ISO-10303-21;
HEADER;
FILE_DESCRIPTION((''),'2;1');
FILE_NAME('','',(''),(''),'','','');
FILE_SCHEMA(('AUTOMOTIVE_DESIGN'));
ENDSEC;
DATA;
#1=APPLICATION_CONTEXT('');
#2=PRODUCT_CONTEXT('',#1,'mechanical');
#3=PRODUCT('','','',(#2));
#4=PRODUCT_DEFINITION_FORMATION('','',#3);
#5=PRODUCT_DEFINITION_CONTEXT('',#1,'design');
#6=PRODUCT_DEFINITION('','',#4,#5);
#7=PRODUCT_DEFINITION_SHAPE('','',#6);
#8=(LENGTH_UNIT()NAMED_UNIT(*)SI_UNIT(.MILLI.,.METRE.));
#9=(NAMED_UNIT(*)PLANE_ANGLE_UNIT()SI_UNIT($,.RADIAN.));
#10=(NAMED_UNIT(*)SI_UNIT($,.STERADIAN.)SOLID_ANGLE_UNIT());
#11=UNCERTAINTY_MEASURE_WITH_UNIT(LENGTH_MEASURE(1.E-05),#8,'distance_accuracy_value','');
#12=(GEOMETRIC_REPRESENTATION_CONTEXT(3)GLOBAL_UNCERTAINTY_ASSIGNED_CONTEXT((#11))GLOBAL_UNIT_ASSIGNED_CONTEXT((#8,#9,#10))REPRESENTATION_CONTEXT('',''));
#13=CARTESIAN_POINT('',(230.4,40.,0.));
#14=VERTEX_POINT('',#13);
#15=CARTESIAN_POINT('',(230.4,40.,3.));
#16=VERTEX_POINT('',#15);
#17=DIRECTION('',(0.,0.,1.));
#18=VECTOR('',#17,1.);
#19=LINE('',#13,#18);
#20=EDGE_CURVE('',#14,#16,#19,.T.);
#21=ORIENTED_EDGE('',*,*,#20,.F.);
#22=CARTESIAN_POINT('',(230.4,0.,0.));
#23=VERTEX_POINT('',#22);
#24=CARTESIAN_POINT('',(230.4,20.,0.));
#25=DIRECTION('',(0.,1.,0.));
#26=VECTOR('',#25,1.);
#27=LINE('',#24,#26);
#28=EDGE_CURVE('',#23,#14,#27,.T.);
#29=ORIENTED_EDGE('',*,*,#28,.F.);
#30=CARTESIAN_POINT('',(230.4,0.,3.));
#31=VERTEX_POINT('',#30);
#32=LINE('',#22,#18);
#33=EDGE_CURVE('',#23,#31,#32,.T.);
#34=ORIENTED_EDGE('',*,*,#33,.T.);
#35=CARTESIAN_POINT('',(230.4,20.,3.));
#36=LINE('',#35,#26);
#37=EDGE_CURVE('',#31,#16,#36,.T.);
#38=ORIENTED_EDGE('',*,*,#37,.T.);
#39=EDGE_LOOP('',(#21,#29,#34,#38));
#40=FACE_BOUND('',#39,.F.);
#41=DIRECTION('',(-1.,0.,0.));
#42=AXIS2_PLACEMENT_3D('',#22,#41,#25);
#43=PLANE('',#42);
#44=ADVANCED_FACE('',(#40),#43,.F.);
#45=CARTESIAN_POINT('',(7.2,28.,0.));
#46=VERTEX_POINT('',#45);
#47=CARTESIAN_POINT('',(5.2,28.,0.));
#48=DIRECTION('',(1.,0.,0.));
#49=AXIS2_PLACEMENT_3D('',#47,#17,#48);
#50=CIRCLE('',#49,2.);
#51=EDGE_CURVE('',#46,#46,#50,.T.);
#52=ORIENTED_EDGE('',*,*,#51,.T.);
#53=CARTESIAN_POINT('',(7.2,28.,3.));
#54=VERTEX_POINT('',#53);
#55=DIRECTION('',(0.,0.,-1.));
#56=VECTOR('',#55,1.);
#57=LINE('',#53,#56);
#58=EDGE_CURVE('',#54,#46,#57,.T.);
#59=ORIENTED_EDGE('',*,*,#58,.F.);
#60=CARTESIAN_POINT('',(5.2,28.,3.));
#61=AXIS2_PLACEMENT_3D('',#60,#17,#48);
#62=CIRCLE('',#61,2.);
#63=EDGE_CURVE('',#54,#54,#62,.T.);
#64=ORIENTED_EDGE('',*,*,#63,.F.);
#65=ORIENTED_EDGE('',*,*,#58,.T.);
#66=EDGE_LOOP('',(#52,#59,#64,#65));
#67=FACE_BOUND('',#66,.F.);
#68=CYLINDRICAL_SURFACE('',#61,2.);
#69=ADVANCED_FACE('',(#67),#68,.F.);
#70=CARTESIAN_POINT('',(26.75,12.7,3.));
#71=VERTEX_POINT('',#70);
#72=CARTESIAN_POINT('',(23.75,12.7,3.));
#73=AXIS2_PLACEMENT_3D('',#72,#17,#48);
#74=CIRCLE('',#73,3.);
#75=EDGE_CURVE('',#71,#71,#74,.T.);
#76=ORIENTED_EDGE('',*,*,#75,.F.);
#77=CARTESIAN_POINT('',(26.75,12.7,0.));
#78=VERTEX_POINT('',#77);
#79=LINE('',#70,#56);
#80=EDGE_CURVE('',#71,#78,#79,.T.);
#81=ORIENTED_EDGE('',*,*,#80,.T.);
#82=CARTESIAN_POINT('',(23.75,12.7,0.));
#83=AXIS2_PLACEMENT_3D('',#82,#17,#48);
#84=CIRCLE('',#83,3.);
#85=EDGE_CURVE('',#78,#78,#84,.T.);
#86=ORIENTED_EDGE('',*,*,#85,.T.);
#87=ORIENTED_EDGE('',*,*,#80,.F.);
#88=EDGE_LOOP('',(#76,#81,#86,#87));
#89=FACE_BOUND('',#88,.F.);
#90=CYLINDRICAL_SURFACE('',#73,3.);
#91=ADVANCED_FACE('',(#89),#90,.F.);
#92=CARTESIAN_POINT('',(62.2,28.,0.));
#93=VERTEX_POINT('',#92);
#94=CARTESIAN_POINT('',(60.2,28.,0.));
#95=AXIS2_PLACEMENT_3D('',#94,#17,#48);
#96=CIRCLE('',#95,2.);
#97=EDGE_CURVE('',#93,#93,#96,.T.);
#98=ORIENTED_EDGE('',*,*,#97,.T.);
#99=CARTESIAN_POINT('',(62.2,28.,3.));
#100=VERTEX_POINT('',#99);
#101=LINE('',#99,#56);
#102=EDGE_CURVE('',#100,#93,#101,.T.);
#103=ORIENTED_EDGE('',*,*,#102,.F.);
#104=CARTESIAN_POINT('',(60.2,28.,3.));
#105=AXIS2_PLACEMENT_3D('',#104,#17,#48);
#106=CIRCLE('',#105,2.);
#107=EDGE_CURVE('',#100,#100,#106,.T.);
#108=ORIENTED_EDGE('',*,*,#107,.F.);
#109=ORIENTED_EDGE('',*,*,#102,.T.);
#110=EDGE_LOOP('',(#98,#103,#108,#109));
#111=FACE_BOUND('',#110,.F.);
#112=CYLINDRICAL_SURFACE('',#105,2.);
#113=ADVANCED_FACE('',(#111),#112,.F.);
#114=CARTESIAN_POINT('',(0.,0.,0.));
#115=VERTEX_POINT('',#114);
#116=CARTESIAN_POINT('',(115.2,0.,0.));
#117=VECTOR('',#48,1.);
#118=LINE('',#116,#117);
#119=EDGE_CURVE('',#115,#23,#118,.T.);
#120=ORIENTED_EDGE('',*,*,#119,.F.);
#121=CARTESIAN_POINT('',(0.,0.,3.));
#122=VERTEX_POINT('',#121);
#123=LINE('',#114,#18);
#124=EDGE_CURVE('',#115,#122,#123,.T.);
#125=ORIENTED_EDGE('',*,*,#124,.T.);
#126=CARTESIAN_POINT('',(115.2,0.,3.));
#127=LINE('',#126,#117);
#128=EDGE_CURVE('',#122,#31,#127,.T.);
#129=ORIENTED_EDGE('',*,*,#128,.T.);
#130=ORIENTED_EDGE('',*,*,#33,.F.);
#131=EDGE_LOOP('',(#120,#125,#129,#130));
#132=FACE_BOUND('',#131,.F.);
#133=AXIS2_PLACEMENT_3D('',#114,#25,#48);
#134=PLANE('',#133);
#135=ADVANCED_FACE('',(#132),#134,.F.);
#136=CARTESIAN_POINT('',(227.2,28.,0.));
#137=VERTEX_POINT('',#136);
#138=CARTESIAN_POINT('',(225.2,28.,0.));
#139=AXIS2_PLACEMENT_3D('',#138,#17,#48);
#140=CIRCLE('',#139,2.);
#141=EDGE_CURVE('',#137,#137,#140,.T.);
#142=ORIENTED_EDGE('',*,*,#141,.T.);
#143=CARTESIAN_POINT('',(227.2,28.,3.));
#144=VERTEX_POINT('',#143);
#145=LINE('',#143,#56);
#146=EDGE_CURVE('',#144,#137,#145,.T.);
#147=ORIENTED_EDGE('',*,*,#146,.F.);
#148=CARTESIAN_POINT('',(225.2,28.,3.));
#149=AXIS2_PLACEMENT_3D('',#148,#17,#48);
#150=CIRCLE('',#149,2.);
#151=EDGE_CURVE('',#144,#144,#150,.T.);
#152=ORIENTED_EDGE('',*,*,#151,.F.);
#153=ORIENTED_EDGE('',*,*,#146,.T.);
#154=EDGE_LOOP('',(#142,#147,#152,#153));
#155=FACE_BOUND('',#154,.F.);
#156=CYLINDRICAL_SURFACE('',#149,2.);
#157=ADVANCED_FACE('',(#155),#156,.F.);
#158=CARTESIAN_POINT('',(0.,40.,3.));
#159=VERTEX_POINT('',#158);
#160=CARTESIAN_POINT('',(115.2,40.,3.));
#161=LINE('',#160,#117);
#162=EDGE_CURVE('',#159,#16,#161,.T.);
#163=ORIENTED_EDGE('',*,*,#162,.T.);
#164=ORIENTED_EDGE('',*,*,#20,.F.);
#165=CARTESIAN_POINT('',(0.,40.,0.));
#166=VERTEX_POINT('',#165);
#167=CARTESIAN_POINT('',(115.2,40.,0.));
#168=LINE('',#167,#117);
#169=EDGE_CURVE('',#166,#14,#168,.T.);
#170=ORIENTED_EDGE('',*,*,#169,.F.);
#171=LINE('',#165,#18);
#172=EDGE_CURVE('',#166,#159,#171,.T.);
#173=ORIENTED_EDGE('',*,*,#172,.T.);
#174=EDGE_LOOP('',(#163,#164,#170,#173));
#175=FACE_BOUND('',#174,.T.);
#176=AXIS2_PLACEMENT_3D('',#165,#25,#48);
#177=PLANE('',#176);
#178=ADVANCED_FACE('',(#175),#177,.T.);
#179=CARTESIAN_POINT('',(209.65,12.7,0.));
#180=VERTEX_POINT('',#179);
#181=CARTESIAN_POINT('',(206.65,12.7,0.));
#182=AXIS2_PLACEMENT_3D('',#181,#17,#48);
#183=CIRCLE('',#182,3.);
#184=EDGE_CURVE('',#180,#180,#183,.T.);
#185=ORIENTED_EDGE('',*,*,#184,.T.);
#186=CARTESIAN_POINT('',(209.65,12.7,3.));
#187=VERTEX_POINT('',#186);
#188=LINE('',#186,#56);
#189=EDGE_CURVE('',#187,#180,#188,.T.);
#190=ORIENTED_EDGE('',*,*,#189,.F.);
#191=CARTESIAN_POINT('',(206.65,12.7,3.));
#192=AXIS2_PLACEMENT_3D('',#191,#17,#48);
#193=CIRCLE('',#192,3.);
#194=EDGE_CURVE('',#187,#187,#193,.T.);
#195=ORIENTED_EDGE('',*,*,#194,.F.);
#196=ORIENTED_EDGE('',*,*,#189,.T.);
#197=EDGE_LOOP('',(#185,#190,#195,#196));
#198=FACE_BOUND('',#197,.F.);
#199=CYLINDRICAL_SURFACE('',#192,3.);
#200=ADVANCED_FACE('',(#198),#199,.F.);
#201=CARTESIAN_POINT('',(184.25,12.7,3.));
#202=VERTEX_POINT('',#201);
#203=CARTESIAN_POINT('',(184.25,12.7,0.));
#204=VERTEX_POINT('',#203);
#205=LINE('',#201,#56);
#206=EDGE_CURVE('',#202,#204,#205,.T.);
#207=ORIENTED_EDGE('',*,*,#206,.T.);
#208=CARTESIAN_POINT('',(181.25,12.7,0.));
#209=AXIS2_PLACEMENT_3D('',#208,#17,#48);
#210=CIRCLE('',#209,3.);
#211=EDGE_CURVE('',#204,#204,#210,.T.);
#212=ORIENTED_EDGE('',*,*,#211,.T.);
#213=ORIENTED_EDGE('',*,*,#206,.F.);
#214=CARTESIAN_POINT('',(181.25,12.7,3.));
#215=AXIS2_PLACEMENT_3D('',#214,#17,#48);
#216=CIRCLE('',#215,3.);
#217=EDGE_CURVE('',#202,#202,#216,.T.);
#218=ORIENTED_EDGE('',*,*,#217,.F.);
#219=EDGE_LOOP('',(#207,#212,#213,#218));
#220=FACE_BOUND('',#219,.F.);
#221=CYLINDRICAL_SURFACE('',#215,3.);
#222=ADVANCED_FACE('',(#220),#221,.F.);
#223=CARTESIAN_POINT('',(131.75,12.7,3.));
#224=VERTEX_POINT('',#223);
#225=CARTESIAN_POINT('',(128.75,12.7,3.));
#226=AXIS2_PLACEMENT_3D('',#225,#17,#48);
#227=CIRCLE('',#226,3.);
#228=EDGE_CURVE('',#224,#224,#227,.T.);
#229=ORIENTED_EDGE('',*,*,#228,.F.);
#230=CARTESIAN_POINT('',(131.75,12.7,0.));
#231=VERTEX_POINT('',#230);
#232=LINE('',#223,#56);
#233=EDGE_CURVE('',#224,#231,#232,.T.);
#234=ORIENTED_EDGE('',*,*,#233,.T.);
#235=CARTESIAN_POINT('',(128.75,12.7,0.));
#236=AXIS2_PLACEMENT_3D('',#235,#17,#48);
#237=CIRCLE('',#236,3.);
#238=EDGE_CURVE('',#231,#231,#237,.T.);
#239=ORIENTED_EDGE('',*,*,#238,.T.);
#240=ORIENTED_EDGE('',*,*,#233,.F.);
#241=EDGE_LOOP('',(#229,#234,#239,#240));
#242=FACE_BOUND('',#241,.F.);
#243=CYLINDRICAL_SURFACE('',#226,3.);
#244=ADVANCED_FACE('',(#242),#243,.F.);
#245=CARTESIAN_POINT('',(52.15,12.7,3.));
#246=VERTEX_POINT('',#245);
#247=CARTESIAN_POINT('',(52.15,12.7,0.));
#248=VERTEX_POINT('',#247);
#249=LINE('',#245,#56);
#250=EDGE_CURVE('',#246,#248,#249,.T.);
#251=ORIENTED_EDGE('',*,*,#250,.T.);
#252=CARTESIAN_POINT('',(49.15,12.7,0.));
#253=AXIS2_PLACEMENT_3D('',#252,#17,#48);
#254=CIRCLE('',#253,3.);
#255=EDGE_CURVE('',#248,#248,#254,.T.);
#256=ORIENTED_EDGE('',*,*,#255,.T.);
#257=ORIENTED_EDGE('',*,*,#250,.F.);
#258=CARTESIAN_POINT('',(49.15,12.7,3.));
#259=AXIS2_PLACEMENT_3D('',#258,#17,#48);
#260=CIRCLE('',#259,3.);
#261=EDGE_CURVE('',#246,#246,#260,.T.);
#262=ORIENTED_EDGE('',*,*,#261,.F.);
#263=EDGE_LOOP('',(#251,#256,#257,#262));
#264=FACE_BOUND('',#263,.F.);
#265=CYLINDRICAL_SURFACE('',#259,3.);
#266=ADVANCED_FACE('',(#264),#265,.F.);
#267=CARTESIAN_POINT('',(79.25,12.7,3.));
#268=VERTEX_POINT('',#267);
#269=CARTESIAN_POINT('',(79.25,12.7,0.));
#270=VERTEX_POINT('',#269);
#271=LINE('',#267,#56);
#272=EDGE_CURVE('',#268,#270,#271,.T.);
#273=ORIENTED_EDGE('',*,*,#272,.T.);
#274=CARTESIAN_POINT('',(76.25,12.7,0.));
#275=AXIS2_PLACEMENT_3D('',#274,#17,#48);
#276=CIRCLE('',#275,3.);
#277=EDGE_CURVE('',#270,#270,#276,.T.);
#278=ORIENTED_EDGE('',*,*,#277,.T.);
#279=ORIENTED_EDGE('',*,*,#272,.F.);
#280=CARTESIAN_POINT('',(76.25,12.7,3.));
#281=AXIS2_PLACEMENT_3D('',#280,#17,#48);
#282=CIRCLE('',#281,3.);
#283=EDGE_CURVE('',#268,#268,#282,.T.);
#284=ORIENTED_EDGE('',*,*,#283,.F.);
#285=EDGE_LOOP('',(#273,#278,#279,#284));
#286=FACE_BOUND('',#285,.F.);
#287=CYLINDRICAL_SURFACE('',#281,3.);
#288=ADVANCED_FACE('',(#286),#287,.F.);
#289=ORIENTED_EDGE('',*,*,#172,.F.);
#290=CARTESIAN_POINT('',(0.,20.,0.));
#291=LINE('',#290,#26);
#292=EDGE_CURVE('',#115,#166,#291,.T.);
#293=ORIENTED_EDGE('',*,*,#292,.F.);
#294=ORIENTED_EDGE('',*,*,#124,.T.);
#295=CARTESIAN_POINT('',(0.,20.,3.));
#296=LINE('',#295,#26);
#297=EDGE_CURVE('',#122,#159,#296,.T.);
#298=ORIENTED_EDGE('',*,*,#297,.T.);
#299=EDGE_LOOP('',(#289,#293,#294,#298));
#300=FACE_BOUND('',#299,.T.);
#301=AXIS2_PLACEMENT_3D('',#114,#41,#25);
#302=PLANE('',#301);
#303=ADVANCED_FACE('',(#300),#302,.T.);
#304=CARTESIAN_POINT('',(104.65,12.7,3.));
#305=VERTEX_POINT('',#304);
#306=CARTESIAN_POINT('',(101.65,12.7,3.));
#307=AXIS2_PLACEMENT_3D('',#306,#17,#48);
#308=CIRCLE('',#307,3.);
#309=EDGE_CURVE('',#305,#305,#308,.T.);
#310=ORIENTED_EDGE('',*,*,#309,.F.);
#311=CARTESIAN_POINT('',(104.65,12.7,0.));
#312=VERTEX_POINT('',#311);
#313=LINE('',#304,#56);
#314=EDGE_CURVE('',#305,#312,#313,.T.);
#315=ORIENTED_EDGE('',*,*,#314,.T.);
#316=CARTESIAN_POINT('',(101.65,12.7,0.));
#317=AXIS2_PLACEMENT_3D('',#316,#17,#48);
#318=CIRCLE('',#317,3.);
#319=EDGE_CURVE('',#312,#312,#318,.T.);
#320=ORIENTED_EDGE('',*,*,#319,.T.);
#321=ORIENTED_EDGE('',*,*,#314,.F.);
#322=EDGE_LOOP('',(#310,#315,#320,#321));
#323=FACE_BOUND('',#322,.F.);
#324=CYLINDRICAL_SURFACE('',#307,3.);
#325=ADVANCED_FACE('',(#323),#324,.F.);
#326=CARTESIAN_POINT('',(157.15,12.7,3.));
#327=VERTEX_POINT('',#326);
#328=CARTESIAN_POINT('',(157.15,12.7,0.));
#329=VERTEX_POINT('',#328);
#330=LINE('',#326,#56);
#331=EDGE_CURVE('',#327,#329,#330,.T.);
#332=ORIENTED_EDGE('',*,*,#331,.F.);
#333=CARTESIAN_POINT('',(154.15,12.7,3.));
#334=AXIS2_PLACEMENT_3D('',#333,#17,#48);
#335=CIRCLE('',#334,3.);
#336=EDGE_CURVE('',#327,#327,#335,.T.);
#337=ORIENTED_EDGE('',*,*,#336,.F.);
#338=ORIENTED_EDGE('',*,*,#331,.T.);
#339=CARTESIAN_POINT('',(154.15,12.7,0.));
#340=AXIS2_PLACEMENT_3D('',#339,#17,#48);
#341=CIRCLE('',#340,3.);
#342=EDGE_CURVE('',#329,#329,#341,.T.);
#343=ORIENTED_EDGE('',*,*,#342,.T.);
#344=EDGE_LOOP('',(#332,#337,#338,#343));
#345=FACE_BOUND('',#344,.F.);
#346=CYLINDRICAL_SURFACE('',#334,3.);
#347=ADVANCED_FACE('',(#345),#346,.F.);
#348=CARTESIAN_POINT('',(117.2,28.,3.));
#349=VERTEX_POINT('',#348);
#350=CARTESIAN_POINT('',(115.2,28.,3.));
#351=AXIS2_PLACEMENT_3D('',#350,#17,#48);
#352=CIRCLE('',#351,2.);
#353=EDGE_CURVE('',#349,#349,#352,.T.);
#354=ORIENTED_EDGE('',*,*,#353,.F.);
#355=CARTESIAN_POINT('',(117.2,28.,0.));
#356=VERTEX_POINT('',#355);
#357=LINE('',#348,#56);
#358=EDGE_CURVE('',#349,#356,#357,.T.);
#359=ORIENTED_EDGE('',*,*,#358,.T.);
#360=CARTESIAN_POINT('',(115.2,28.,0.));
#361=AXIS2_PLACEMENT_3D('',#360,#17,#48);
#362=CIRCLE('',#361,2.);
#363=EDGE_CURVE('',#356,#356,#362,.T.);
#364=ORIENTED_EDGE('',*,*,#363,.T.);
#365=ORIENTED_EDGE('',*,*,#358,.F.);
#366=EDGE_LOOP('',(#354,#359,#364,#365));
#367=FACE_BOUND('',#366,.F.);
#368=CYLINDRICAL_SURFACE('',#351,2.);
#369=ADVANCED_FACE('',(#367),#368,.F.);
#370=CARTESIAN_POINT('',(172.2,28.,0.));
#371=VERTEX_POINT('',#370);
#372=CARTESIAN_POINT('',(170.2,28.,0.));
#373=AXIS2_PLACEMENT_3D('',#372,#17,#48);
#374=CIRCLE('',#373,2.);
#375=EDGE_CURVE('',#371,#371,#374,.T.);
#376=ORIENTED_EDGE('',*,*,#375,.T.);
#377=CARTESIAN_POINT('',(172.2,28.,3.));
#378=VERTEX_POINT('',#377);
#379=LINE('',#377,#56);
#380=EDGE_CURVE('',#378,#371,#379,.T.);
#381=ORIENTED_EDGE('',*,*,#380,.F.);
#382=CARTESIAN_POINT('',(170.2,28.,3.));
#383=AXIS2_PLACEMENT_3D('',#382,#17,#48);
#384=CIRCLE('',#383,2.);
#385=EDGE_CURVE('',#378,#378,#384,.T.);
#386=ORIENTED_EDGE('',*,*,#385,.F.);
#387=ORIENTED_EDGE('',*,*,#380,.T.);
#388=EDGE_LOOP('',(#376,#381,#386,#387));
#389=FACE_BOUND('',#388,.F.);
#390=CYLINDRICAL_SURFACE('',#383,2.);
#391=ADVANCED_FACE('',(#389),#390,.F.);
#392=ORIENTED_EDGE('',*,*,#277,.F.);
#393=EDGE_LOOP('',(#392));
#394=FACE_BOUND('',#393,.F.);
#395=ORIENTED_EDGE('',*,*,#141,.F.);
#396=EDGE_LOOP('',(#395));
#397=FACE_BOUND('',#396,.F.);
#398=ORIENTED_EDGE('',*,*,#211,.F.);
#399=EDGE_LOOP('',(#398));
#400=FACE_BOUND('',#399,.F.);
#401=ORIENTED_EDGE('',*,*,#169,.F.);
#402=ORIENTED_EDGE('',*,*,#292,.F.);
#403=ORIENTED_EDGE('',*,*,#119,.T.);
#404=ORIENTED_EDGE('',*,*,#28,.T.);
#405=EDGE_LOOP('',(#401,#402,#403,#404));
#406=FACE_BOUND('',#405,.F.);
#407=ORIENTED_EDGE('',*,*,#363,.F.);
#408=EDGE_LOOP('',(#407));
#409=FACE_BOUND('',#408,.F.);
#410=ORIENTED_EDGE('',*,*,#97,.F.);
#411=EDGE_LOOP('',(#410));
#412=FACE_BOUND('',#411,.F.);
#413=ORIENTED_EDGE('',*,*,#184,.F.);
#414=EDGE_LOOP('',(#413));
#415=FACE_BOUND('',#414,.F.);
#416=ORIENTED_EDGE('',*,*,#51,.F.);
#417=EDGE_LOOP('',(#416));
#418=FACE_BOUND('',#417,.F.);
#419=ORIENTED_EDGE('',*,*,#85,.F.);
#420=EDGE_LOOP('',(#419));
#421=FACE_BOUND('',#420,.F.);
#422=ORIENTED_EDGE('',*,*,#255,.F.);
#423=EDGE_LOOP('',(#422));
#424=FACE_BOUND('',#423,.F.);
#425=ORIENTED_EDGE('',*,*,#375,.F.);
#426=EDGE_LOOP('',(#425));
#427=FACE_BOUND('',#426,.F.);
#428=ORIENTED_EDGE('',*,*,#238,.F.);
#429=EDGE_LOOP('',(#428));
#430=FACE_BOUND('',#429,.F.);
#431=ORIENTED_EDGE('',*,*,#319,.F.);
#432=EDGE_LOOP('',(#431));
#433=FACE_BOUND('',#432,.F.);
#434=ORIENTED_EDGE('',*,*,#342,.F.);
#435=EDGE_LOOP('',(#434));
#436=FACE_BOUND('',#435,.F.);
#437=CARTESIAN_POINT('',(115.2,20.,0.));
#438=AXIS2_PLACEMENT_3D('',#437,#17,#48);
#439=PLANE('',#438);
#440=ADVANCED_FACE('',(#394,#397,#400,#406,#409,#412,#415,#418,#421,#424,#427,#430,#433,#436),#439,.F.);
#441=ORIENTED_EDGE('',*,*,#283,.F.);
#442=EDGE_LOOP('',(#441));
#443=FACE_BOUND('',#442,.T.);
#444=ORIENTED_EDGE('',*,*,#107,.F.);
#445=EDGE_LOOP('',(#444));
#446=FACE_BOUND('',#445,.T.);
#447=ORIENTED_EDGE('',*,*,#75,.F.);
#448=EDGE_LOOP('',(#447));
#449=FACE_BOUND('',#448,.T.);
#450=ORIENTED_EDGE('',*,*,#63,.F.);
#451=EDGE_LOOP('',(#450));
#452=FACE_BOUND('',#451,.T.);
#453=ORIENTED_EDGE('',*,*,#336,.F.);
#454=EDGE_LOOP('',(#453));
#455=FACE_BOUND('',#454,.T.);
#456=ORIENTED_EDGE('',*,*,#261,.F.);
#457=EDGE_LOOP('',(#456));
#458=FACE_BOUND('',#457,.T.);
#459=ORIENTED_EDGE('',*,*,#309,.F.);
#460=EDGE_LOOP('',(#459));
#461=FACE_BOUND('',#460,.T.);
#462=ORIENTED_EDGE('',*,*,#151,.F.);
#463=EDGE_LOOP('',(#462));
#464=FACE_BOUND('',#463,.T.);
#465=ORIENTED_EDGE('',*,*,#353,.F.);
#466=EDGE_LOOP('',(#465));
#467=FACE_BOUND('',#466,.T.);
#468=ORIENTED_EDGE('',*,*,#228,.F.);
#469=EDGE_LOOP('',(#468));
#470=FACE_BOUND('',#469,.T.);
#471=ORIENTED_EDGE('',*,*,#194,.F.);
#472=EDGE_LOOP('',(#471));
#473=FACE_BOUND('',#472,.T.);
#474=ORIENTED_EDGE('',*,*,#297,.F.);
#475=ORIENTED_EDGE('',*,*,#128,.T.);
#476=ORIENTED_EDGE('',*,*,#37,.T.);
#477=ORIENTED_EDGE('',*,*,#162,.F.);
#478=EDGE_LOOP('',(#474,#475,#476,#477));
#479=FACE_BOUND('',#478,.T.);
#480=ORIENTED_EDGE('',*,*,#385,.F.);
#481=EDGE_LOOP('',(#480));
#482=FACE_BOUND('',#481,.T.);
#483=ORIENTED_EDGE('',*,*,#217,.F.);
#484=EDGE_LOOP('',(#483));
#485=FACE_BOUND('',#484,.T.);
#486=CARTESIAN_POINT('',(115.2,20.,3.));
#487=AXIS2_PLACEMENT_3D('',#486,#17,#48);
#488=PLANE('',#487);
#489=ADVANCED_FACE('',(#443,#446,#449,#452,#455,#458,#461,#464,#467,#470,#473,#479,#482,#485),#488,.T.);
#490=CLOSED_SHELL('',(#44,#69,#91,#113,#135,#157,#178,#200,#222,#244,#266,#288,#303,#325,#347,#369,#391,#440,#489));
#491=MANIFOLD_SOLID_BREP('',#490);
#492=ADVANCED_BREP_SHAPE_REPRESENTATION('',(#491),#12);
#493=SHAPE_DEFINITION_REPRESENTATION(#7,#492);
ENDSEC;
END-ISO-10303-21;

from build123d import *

# Parameters (mm, degrees)
F0_W     = 230.4
F0_H     = 40
F1_DEPTH = 3
F2_R     = 2
F3_DEPTH = 3.001
F4_R     = 3
F5_DEPTH = 3.001


with BuildPart() as f1:
    # F0 (on Top) → F1 (new body)
    with BuildSketch(Plane.XY):
        with Locations((115.2, 20)):
            Rectangle(F0_W, F0_H)
    extrude(amount=F1_DEPTH)

    # F2 (on face) → F3 (cut, through all)
    with BuildSketch(Plane.XY.offset(3)):
        with Locations((5.2, 28)):
            Circle(F2_R)
        with Locations((60.2, 28)):
            Circle(F2_R)
        with Locations((115.2, 28)):
            Circle(F2_R)
        with Locations((170.2, 28)):
            Circle(F2_R)
        with Locations((225.2, 28)):
            Circle(F2_R)
    extrude(amount=-F3_DEPTH, mode=Mode.SUBTRACT)

    # F4 (on face) → F5 (cut, through all)
    with BuildSketch(Plane.XY.offset(3)):
        with Locations((23.75, 12.7)):
            Circle(F4_R)
        with Locations((49.15, 12.7)):
            Circle(F4_R)
        with Locations((76.25, 12.7)):
            Circle(F4_R)
        with Locations((101.65, 12.7)):
            Circle(F4_R)
        with Locations((128.75, 12.7)):
            Circle(F4_R)
        with Locations((154.15, 12.7)):
            Circle(F4_R)
        with Locations((181.25, 12.7)):
            Circle(F4_R)
        with Locations((206.65, 12.7)):
            Circle(F4_R)
    extrude(amount=-F5_DEPTH, mode=Mode.SUBTRACT)


solid = f1.part
